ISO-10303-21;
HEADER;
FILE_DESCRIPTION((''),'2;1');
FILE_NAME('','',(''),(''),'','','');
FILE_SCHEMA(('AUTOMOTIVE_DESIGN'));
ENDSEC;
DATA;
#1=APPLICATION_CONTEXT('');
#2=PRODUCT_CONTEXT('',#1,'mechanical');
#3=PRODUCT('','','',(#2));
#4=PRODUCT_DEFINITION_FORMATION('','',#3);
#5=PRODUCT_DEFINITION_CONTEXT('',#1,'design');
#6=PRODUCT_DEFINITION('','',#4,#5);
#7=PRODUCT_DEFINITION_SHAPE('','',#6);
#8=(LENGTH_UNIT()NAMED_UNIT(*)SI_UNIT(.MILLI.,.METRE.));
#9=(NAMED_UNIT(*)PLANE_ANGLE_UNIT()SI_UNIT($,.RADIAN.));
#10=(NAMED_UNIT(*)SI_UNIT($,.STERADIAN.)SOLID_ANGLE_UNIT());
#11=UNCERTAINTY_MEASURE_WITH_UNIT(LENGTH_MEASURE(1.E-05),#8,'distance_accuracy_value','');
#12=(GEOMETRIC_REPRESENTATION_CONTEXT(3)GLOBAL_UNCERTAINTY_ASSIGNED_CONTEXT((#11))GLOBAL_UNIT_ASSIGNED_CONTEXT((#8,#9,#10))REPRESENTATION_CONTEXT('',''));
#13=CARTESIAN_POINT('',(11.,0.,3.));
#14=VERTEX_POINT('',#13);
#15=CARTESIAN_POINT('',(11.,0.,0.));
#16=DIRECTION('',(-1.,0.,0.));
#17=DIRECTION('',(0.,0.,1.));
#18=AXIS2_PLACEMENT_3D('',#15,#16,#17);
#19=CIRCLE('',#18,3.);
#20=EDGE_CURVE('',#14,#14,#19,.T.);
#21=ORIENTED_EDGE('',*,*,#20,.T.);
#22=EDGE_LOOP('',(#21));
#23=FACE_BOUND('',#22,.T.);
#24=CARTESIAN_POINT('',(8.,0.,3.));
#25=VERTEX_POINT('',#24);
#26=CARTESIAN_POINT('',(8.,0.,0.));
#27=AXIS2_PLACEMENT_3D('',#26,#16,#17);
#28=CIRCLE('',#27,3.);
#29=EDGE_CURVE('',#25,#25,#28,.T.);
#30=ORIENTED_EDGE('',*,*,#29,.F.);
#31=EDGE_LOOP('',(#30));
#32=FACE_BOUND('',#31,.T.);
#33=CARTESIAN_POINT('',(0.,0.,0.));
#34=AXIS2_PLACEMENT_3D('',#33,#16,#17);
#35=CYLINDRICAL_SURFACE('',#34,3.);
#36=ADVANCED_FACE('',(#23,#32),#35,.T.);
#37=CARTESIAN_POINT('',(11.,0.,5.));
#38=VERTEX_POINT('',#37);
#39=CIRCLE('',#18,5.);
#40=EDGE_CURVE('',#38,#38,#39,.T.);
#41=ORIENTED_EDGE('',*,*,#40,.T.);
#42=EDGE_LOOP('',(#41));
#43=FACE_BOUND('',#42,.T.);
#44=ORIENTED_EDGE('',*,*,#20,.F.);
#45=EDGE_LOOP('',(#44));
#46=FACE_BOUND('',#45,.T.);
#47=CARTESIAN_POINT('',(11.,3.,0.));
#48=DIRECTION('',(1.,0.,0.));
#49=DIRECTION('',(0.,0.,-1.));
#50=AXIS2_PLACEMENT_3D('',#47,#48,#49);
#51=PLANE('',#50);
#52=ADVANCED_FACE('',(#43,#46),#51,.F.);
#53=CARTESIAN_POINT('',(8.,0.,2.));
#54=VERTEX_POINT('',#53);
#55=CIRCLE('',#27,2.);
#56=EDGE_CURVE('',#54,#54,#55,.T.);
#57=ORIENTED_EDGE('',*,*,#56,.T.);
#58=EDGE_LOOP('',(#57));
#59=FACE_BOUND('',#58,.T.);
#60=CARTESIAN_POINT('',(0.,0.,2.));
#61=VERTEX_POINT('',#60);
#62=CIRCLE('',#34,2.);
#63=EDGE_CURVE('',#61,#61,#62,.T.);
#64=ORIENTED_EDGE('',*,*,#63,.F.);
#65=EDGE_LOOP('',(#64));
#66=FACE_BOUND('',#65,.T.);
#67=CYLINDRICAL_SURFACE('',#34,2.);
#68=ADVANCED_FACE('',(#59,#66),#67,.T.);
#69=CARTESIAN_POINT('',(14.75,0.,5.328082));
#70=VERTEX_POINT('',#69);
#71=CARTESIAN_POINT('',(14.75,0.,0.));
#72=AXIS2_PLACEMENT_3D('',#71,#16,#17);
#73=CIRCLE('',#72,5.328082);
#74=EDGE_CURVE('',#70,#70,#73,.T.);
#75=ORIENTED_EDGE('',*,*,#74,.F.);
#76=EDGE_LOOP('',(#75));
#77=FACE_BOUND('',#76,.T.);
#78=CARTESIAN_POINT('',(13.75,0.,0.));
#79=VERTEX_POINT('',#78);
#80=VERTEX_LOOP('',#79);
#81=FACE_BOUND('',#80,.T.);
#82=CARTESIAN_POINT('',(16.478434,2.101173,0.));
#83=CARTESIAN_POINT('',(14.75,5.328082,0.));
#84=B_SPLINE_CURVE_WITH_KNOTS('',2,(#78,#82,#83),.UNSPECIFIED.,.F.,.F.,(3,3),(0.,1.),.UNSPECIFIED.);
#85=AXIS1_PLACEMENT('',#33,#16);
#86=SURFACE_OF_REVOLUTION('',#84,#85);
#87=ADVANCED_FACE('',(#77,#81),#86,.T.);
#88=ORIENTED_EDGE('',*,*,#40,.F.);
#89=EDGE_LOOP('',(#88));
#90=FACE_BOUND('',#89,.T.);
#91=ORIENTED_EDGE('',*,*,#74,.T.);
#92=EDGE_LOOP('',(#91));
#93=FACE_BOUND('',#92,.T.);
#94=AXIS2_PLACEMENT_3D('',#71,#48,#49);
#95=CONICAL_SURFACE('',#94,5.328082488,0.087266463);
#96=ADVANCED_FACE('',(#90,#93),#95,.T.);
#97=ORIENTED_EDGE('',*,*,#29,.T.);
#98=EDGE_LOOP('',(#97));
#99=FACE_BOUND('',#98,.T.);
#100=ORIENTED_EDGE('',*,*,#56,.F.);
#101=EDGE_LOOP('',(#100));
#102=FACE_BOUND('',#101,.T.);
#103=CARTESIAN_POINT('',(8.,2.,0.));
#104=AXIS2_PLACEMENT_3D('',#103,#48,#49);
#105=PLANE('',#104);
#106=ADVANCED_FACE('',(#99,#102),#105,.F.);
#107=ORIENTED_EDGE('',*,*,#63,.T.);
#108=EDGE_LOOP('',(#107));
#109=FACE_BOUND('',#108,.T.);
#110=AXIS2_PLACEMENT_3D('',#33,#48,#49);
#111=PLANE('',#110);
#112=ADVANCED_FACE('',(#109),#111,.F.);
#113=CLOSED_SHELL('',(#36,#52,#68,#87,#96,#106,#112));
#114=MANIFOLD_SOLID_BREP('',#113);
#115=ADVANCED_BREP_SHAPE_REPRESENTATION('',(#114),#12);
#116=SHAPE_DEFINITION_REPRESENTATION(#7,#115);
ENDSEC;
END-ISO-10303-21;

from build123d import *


with BuildPart() as part:
    # Sketch2 → Revolve1 (revolve)
    with BuildSketch(Plane.XY):
        with BuildLine():
            Line((0, 0), (0, 2))
            Line((0, 2), (8, 2))
            Line((8, 2), (8, 3))
            Line((8, 3), (11, 3))
            Line((11, 3), (11, 5))
            Line((11, 5), (14.75, 5.328082488))
            add(Edge.make_bspline(
                [(14.75, 5.328082488), (16.478433804, 2.101172747), (13.75, 0)],
                knots=[0, 0, 0, 1, 1, 1], degree=2))
            Line((13.75, 0), (0, 0))
        make_face()
    revolve(axis=Axis((0, 0, 0), (1, 0, 0)))


solid = part.part
